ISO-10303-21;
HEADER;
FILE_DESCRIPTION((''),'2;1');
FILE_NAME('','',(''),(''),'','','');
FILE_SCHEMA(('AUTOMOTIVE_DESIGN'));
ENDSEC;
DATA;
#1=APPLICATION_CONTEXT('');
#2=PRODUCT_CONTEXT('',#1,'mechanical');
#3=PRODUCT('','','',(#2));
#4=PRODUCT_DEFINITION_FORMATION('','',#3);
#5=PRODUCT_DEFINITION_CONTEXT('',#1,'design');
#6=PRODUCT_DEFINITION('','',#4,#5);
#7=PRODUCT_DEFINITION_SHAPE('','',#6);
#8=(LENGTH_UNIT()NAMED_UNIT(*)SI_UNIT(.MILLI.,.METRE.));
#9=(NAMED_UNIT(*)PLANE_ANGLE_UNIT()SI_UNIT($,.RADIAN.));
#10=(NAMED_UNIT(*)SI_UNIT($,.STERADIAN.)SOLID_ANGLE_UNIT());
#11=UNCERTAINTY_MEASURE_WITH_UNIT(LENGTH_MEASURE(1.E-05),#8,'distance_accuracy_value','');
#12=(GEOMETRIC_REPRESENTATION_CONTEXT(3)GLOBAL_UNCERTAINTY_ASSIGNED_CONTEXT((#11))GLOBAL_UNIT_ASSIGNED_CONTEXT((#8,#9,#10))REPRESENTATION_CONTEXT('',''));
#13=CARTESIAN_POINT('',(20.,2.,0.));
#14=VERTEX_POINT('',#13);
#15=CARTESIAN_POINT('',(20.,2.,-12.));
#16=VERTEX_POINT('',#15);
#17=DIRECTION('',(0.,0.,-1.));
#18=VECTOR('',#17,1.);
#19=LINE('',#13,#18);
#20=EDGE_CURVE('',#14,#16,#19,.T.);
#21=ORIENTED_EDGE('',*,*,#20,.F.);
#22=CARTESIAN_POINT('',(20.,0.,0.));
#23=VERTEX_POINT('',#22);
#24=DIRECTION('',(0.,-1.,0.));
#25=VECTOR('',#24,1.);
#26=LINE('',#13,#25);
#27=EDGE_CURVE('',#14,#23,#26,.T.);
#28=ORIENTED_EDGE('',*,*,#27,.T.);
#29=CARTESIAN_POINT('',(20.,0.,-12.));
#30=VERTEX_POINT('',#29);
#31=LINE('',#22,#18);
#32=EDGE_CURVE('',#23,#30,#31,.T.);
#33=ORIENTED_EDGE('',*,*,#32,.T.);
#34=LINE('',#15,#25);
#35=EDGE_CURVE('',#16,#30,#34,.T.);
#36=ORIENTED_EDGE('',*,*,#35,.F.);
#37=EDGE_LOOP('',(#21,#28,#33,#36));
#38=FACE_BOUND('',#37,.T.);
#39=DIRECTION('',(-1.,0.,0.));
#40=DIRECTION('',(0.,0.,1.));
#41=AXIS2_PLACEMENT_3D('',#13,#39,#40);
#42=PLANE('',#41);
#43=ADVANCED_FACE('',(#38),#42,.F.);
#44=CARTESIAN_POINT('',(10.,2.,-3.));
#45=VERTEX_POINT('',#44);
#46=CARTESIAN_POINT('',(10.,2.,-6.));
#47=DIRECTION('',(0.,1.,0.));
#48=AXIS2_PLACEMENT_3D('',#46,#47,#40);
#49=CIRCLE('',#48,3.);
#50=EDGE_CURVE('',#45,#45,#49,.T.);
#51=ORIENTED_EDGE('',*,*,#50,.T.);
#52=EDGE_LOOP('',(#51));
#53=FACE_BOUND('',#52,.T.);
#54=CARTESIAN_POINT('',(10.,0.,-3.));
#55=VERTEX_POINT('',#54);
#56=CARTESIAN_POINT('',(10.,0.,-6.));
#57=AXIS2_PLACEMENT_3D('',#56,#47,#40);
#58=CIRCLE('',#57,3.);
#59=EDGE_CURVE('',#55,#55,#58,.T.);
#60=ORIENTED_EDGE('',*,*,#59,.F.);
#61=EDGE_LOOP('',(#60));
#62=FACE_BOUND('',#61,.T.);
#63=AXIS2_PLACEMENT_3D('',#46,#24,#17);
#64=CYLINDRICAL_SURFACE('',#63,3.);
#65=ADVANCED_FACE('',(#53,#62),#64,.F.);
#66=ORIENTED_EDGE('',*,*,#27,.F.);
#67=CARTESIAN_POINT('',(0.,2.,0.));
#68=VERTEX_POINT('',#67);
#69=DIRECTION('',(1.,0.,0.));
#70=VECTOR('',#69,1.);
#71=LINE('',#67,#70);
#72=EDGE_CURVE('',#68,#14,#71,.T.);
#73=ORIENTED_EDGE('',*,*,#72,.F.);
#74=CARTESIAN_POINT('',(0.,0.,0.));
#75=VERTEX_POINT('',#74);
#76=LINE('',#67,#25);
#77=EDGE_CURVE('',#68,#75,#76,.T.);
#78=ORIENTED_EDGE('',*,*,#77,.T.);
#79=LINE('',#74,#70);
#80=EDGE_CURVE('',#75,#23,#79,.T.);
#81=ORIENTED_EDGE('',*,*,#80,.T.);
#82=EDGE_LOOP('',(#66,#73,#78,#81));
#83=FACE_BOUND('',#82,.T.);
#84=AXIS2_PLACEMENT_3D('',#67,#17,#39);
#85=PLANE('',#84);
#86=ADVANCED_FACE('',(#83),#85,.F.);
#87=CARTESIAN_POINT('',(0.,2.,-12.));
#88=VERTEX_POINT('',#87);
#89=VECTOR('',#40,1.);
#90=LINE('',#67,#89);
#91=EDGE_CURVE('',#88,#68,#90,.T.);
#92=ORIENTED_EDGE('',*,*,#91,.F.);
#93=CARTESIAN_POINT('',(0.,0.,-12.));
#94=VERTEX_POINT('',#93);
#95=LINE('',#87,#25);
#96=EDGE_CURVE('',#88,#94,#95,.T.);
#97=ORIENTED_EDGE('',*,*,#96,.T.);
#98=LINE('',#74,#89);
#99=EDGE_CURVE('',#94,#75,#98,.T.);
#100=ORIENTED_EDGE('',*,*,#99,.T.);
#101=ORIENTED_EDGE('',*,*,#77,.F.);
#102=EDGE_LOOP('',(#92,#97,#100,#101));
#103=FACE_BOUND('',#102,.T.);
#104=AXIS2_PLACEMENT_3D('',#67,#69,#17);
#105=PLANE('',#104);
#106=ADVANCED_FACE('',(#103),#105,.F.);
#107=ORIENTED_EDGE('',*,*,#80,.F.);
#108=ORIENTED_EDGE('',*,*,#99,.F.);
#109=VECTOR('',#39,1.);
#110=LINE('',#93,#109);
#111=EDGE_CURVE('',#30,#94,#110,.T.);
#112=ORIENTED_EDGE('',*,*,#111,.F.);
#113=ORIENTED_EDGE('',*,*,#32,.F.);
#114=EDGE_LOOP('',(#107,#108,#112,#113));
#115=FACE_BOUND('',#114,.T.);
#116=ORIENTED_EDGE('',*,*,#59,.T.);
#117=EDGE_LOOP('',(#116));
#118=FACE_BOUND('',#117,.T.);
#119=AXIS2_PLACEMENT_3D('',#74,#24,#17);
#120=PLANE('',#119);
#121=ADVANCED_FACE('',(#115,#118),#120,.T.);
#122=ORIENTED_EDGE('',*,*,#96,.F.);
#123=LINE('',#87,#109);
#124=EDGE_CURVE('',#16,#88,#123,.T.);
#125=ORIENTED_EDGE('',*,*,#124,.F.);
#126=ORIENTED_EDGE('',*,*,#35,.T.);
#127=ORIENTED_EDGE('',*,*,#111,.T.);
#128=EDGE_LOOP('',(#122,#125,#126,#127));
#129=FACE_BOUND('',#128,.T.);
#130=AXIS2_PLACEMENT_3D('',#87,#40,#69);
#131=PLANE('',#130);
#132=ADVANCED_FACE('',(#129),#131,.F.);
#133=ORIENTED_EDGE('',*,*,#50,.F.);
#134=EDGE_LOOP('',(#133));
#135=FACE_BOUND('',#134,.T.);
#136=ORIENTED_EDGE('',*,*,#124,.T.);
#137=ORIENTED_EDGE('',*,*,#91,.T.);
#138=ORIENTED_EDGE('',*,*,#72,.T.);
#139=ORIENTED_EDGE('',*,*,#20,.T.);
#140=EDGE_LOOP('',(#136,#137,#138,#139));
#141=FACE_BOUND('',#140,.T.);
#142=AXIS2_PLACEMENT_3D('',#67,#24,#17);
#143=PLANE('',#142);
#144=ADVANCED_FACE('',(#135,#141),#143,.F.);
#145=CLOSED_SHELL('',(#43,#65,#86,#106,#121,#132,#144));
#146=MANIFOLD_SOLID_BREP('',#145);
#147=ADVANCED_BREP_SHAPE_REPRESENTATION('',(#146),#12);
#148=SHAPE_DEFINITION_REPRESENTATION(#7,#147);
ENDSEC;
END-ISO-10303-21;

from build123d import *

# Parameters (mm, degrees)
SKETCH1_W           = 20
SKETCH1_H           = 12
SKETCH1_R           = 3
BOSS_EXTRUDE1_DEPTH = 2


with BuildPart() as part:
    # Sketch1 → Boss-Extrude1 (new body)
    with BuildSketch(Plane(origin=(0, 0, 0), x_dir=(1, 0, 0), z_dir=(0, 1, 0))):
        with Locations((10, 6)):
            Rectangle(SKETCH1_W, SKETCH1_H)
        with Locations(Location((10, 6, 0), (0, 0, 270))):
            Circle(SKETCH1_R, mode=Mode.SUBTRACT)
    extrude(amount=BOSS_EXTRUDE1_DEPTH)


solid = part.part
